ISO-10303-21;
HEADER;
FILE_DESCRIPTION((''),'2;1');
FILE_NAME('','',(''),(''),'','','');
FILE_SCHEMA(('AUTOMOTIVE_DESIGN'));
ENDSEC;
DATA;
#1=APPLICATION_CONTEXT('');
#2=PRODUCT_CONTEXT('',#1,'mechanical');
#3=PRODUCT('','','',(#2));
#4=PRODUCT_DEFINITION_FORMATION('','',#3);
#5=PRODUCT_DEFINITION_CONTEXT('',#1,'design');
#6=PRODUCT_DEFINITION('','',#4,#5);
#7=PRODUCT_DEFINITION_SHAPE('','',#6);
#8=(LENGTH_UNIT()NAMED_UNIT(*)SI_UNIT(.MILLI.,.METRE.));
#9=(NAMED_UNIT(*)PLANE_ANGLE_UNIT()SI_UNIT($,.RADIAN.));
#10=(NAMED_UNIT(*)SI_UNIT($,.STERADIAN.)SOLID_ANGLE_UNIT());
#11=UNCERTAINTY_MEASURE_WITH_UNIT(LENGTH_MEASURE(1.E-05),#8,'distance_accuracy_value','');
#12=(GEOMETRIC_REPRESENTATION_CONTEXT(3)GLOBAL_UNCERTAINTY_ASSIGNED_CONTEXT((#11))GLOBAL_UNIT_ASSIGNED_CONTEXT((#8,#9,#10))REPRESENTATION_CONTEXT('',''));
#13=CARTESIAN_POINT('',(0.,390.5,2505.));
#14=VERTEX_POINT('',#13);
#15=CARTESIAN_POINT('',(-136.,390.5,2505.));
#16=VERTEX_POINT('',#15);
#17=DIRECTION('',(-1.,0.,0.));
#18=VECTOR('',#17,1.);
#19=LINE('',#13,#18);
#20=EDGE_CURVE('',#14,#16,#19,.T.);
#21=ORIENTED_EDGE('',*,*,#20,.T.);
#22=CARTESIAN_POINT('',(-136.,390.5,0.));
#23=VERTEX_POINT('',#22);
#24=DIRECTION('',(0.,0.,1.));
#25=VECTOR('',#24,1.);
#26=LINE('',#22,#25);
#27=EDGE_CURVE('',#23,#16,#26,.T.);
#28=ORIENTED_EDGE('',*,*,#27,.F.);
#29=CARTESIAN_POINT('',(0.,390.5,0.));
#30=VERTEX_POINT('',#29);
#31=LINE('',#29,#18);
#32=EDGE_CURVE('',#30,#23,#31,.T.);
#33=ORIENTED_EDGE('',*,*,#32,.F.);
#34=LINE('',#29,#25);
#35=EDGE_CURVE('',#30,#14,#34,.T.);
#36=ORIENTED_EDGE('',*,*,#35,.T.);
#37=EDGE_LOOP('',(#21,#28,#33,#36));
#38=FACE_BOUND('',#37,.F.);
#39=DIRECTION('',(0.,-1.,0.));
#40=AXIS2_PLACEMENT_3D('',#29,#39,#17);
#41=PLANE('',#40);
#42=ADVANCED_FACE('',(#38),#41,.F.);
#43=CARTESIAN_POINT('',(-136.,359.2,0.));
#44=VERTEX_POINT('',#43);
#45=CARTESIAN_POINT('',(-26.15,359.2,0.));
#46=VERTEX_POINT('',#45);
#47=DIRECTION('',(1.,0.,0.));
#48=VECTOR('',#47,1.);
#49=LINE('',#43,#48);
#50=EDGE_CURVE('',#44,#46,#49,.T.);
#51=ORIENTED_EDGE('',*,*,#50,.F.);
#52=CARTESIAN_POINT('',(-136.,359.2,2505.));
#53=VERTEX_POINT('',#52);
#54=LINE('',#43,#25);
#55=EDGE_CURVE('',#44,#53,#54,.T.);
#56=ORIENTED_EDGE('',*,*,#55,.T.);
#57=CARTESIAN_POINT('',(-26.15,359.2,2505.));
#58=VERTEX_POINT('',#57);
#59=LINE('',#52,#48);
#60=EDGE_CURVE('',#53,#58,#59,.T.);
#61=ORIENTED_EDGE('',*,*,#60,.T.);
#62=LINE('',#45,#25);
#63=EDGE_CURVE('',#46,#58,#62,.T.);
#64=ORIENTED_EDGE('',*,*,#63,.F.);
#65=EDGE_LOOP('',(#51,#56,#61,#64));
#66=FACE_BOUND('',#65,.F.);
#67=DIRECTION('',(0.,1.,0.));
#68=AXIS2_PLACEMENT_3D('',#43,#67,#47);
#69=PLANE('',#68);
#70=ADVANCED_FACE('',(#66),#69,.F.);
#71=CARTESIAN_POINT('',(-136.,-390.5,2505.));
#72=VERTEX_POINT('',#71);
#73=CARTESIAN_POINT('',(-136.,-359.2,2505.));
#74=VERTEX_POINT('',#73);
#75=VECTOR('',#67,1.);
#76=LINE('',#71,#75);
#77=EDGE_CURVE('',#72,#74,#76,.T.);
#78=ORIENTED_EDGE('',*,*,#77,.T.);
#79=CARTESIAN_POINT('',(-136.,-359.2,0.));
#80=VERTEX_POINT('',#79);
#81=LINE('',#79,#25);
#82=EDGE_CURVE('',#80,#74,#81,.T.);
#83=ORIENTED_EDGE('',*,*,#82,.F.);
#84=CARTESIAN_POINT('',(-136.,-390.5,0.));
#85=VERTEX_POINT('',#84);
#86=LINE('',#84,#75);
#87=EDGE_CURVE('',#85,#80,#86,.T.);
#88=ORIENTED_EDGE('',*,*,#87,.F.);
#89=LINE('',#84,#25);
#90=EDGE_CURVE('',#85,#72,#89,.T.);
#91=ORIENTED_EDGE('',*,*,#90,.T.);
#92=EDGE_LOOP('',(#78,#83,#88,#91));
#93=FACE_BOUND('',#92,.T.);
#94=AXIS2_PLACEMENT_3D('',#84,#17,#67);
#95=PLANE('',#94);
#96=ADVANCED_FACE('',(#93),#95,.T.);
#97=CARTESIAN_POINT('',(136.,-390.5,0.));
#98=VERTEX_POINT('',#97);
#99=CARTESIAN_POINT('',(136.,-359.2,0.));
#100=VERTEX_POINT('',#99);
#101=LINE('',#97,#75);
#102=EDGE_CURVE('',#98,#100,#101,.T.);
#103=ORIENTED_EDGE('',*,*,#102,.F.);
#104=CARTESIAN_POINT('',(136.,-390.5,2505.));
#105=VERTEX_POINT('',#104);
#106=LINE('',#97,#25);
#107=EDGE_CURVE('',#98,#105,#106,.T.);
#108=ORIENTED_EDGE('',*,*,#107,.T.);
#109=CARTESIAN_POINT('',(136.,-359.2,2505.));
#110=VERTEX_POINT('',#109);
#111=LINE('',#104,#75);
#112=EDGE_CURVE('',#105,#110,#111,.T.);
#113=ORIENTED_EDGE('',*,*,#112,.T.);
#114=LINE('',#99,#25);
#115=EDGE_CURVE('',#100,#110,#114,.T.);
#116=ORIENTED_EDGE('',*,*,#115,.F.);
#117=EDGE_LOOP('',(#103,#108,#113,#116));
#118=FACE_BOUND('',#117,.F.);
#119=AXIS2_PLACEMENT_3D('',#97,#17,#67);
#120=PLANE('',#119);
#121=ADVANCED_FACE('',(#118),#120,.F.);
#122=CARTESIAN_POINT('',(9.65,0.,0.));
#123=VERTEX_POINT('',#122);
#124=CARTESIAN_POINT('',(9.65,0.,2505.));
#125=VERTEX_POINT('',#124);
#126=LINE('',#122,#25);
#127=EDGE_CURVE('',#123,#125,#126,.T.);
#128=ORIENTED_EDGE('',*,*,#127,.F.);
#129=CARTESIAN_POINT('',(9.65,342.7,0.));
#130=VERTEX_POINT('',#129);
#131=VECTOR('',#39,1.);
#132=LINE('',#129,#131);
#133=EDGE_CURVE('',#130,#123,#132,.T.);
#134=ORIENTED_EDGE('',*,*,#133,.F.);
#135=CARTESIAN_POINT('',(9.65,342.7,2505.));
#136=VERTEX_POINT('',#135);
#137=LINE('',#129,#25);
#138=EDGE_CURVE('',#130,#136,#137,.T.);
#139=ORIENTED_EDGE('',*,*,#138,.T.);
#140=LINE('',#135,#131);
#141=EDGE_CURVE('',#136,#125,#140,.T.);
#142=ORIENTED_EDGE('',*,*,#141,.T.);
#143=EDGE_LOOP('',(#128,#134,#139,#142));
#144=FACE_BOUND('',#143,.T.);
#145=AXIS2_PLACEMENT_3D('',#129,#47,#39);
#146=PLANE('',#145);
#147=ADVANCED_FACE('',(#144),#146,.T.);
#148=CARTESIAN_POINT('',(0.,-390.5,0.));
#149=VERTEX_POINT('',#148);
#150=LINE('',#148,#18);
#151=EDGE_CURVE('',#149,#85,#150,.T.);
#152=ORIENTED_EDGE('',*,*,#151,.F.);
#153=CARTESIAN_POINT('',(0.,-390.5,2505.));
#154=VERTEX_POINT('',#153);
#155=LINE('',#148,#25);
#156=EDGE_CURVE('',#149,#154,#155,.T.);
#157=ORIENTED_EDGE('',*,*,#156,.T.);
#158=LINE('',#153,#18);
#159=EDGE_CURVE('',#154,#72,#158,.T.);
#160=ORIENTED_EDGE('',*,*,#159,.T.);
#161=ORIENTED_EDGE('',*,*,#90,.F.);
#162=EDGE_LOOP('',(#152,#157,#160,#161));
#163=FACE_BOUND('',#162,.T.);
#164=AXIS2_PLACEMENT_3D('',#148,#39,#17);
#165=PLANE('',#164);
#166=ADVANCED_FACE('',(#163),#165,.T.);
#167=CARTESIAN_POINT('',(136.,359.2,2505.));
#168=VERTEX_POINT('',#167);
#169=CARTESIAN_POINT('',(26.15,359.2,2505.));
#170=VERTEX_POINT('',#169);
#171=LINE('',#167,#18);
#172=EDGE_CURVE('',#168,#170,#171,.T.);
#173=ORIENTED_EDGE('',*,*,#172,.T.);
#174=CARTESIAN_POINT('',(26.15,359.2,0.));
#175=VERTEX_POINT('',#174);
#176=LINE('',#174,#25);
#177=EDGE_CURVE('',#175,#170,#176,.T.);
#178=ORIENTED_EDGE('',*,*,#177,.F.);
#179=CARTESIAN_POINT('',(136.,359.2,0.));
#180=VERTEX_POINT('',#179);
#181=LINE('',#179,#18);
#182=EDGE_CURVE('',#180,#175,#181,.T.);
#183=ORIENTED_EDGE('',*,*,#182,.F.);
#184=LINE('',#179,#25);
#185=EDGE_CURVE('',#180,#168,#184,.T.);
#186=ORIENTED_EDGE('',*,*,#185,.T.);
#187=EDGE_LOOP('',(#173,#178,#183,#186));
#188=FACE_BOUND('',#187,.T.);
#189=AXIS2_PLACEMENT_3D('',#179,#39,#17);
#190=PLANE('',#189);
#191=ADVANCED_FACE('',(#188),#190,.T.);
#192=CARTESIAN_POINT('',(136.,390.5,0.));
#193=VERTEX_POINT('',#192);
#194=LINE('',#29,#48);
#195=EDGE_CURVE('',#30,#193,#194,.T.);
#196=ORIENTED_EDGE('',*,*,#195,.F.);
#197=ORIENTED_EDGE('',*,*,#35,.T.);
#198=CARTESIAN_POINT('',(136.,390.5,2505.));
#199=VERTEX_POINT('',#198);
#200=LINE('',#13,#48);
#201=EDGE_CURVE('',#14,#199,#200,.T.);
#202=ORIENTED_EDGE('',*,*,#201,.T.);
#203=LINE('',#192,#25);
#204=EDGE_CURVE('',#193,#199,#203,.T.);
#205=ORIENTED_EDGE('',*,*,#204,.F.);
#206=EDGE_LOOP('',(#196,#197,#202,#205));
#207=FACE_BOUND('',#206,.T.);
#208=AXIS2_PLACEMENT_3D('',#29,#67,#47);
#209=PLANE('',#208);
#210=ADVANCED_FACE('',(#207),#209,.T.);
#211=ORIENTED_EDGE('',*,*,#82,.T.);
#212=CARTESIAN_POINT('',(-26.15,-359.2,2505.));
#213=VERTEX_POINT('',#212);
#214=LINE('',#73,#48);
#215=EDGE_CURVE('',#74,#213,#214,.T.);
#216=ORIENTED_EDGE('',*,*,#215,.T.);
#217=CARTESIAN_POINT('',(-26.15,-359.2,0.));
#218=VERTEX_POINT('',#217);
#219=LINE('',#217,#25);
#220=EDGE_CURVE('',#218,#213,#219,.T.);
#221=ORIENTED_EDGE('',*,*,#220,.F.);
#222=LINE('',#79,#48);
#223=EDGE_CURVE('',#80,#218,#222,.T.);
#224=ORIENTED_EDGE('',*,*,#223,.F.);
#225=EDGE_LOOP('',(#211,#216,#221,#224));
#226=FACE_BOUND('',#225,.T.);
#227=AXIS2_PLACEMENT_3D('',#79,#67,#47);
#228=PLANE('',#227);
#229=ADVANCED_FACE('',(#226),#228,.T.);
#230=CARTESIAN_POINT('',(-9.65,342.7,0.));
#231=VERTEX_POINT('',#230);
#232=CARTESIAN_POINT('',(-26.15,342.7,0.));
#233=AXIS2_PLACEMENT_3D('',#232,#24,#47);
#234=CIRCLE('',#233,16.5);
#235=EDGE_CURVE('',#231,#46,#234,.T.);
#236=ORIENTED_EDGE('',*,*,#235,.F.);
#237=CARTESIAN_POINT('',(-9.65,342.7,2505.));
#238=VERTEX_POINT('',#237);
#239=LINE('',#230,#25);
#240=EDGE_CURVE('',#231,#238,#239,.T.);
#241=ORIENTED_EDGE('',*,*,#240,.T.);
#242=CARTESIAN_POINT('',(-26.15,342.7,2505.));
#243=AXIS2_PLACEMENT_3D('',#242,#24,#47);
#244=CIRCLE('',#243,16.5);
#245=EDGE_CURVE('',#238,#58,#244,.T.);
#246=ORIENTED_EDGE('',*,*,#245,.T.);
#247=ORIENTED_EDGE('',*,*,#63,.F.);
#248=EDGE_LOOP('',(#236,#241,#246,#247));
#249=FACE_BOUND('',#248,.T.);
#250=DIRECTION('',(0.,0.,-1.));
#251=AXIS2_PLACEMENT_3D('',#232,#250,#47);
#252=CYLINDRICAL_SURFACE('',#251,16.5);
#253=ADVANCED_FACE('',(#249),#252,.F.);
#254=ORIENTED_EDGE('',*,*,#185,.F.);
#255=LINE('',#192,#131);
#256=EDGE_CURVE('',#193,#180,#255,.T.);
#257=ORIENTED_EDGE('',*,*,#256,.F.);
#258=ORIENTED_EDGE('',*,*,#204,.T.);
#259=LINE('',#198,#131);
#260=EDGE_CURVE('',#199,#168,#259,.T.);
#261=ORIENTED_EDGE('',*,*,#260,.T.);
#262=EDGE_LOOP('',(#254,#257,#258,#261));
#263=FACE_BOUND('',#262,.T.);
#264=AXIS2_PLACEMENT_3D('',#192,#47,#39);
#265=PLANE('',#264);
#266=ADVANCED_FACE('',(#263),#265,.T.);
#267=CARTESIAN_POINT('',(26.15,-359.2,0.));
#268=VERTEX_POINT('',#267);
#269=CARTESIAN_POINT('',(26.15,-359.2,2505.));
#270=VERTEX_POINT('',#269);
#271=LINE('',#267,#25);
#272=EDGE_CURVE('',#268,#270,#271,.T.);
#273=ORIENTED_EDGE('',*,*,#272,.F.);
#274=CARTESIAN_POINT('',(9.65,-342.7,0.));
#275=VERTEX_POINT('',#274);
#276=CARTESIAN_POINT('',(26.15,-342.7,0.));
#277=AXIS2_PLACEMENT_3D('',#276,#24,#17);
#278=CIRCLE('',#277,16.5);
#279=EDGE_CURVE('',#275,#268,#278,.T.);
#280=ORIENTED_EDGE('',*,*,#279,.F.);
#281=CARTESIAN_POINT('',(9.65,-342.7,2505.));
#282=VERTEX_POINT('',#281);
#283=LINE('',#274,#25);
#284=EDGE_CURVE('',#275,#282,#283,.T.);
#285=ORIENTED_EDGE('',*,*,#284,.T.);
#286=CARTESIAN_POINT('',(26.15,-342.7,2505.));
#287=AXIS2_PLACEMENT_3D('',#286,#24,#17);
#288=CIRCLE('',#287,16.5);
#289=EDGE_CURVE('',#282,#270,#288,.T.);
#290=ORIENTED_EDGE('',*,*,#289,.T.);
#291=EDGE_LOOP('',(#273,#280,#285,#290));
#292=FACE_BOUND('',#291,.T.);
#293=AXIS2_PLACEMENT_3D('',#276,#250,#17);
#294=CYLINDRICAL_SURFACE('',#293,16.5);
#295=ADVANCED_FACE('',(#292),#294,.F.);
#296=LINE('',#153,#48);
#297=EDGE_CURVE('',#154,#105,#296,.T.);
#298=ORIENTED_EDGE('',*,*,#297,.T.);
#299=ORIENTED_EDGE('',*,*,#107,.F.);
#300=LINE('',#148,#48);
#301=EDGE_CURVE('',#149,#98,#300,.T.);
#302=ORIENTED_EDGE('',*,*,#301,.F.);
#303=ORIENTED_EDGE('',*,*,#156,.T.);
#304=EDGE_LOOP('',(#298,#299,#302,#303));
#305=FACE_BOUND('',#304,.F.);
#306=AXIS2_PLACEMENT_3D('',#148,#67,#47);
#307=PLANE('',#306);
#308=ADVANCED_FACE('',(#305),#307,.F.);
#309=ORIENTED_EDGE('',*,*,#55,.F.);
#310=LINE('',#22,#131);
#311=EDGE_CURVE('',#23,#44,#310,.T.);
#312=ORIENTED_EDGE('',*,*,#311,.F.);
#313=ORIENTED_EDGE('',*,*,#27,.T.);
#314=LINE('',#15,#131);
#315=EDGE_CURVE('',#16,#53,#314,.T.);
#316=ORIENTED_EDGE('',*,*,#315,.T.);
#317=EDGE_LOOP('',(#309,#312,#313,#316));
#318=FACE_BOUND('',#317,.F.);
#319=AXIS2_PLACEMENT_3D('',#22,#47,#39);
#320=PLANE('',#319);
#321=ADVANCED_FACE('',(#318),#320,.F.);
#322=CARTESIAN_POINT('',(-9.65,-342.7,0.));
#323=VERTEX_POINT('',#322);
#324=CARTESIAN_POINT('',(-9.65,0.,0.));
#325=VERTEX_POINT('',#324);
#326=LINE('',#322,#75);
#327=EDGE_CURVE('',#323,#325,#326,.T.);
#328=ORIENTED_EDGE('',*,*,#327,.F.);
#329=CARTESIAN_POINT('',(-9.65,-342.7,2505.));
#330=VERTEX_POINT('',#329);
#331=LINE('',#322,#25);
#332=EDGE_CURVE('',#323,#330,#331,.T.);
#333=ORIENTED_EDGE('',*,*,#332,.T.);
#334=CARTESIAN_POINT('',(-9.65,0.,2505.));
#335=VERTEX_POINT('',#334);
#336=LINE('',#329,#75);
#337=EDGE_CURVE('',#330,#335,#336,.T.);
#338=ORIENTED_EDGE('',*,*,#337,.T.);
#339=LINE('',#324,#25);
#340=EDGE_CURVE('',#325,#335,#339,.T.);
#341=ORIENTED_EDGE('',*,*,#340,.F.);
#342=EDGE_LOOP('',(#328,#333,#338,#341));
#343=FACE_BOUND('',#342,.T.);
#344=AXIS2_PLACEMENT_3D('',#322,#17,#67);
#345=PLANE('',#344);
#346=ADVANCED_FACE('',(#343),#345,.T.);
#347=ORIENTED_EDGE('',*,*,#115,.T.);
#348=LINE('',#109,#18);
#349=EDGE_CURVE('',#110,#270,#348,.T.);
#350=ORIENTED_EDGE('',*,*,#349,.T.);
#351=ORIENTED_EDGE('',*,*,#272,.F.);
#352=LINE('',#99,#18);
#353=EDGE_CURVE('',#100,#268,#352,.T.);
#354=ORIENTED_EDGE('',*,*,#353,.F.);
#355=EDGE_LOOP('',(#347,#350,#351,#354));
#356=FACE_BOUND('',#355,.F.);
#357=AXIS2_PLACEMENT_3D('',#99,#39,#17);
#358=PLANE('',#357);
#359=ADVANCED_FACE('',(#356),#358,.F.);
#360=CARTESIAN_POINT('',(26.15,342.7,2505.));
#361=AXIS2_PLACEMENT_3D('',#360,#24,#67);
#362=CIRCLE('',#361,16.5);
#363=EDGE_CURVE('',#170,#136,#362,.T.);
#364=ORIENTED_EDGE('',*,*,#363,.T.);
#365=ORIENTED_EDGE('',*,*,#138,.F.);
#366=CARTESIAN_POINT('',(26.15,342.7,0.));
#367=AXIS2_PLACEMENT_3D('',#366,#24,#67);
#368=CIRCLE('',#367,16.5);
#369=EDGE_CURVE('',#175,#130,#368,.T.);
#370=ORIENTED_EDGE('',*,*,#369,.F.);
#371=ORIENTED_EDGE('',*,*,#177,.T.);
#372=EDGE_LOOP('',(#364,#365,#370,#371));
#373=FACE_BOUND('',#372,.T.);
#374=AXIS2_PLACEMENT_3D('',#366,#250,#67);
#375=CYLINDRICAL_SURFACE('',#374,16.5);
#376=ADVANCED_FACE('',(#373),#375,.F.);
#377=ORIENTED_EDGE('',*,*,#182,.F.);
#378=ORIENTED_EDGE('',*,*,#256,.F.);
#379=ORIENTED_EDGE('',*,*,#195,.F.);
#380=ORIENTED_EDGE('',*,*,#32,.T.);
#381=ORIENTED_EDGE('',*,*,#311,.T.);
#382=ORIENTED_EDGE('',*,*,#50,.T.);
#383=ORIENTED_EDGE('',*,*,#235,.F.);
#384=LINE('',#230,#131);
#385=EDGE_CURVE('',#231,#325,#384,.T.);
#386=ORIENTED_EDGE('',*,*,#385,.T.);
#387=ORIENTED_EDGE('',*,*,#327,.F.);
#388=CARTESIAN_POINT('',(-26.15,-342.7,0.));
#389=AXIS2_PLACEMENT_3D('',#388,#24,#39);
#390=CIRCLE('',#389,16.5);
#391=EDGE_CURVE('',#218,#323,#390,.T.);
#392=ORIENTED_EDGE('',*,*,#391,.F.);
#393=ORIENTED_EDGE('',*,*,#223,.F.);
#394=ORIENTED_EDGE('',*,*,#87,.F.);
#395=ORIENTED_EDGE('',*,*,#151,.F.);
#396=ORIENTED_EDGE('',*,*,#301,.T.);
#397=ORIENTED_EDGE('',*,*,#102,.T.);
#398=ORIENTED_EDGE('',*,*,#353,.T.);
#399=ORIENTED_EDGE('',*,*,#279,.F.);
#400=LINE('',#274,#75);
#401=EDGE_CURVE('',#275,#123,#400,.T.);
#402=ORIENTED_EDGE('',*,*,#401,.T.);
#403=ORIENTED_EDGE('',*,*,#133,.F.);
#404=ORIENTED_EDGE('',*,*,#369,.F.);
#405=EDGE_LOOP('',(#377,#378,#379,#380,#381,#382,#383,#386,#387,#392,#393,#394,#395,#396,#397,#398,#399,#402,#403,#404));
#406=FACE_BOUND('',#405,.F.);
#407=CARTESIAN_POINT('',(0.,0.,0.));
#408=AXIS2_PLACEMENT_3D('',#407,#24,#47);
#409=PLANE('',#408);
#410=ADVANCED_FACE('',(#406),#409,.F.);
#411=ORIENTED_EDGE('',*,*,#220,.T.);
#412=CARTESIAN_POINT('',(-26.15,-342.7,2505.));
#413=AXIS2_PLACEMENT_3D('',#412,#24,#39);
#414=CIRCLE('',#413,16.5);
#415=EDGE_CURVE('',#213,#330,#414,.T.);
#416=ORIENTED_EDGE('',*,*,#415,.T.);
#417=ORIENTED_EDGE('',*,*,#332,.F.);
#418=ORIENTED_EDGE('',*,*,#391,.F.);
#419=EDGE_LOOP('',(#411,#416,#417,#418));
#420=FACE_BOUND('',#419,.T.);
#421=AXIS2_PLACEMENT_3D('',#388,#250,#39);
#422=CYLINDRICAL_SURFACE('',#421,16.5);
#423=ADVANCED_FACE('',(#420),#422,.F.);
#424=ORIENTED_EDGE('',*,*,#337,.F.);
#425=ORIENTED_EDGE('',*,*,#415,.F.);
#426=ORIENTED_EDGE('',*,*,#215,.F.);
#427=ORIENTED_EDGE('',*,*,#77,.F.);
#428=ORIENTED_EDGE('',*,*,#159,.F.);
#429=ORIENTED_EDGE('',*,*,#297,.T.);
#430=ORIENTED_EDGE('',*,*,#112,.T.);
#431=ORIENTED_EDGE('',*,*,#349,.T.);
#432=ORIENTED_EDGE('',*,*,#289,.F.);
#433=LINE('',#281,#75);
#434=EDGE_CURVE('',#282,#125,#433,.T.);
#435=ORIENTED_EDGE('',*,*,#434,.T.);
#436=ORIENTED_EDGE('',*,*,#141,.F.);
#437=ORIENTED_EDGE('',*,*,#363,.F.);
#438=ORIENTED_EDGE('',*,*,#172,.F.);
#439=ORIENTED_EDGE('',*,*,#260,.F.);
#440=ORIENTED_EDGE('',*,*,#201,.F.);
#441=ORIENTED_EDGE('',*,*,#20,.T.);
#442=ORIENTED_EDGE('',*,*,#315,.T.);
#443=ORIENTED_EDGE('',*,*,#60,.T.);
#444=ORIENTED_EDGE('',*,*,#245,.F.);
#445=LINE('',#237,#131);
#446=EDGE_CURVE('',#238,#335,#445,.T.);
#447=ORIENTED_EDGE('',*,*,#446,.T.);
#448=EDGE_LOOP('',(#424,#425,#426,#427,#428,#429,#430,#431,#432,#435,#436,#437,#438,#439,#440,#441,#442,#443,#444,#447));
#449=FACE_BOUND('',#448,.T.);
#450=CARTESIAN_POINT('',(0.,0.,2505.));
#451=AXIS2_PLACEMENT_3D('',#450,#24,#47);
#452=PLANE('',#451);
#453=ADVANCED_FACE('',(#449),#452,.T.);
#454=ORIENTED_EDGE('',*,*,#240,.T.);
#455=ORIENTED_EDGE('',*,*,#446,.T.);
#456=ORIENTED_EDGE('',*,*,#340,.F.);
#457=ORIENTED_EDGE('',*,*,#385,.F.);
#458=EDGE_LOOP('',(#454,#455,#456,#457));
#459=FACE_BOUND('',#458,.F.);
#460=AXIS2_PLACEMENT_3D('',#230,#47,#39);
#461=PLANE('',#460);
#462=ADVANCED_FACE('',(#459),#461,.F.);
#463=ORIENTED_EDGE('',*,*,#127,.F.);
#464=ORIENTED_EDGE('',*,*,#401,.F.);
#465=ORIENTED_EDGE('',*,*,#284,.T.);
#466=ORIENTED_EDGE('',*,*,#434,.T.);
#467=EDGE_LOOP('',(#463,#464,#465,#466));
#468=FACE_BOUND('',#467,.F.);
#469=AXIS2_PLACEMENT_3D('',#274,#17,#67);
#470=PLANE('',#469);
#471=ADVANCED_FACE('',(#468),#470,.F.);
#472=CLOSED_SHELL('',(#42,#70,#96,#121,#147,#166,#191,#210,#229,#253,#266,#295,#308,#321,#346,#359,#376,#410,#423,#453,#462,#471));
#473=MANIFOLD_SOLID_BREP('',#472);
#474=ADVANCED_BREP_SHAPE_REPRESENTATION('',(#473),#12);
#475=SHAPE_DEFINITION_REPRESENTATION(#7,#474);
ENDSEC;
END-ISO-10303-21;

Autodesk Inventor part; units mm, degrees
ref_plane "YZ Plane" through (0, 0, 0) normal (1, 0, 0) x (0, 1, 0)
ref_plane "Start plane" through (0, 0, 0) normal (0, 0, 1) x (1, 0, 0)
ref_plane "End plane" through (0, 0, 2505) normal (0, 0, 1) x (1, 0, 0)
sketch "Sketch" plane through (0, 0, 0) normal (0, 0, 1) x (1, 0, 0)
  line L0 (-136, -390.5) -> (-136, -359.2)
  line L1 (-136, -359.2) -> (-26.15, -359.2)
  line L2 (-9.65, -342.7) -> (-9.65, 0)
  line L3 (-9.65, 0) -> (0, 0) construction
  line L4 (0, 0) -> (0, -390.5) construction
  line L5 (0, -390.5) -> (-136, -390.5)
  line L6 (-60, 0) -> (80, 0) construction
  line L7 (0, -60) -> (0, 80) construction
  line L8 (136, -390.5) -> (136, -359.2)
  line L9 (136, -359.2) -> (26.15, -359.2)
  line L10 (9.65, -342.7) -> (9.65, 0)
  line L11 (9.65, 0) -> (0, 0) construction
  line L12 (0, -390.5) -> (136, -390.5)
  line L13 (-136, 390.5) -> (-136, 359.2)
  line L14 (-136, 359.2) -> (-26.15, 359.2)
  line L15 (-9.65, 342.7) -> (-9.65, 0)
  line L16 (0, 390.5) -> (-136, 390.5)
  line L17 (136, 390.5) -> (136, 359.2)
  line L18 (136, 359.2) -> (26.15, 359.2)
  line L19 (0, 390.5) -> (136, 390.5)
  line L20 (9.65, 342.7) -> (9.65, 0)
  arc A0 (-9.65, 342.7) -> (-26.15, 359.2) centre (-26.15, 342.7) ccw
  arc A1 (26.15, 359.2) -> (9.65, 342.7) centre (26.15, 342.7) ccw
  arc A2 (9.65, -342.7) -> (26.15, -359.2) centre (26.15, -342.7) ccw
  arc A3 (-26.15, -359.2) -> (-9.65, -342.7) centre (-26.15, -342.7) ccw
  line L21 (0, 108) -> (0, -88) construction
  line L22 (-88, 0) -> (108, 0) construction
  point P0 (-9.65, -359.2)
  point P1 (9.65, -359.2)
  point P2 (-9.65, 359.2)
  point P3 (9.65, 359.2)
  dimension "d1" = 390.5
  dimension "d2" = 31.3
  dimension "d3" = 136
  dimension "d4" = 9.65
  dimension "d10" = 16.5
extrude "Body" add sketch "Sketch" along normal up to surface (2505 mm away) from surface at 0
sketch "Sketch4" plane through (0, 0, 0) normal (0, 0, 1) x (1, 0, 0)
  line L0 (0, 0) -> (10, 0)
ref_plane "Work Plane3" through (0, 0, 0) normal (0, -1, 0) x (1, 0, 0)
sketch "Sketch5" plane through (0, 0, 0) normal (0, -1, 0) x (1, 0, 0)
  line L0 (-2, 0) -> (12, 0) projected
  line L1 (-2, 2505) -> (12, 2505) projected
  dimension "d14" = 2505
equation "\"d1\" = 0.5 * G_H"
equation "\"d2\" = G_T1"
equation "\"d3\" = 0.5 * G_W"
equation "\"d4\" = 0.5 * G_T"
equation "\"d10\" = G_IR"
equation "\"d5\" = G_L"
equation "\"G_W\" = 272"
equation "\"G_H\" = 781"
equation "\"G_T\" = 19.3"
equation "\"G_T1\" = 31.3"
equation "\"G_IR\" = 16.5"
equation "\"G_L\" = d14"
equation "\"G_OFFSET_START\" = 0"
equation "\"G_OFFSET_END\" = 0"
equation "\"d12\" = G_OFFSET_END + B_L"
equation "\"B_L\" = 2505"
properties part number "AS 3679-1990 - 760 UB - 244 - 2505" material "Steel, Mild"
